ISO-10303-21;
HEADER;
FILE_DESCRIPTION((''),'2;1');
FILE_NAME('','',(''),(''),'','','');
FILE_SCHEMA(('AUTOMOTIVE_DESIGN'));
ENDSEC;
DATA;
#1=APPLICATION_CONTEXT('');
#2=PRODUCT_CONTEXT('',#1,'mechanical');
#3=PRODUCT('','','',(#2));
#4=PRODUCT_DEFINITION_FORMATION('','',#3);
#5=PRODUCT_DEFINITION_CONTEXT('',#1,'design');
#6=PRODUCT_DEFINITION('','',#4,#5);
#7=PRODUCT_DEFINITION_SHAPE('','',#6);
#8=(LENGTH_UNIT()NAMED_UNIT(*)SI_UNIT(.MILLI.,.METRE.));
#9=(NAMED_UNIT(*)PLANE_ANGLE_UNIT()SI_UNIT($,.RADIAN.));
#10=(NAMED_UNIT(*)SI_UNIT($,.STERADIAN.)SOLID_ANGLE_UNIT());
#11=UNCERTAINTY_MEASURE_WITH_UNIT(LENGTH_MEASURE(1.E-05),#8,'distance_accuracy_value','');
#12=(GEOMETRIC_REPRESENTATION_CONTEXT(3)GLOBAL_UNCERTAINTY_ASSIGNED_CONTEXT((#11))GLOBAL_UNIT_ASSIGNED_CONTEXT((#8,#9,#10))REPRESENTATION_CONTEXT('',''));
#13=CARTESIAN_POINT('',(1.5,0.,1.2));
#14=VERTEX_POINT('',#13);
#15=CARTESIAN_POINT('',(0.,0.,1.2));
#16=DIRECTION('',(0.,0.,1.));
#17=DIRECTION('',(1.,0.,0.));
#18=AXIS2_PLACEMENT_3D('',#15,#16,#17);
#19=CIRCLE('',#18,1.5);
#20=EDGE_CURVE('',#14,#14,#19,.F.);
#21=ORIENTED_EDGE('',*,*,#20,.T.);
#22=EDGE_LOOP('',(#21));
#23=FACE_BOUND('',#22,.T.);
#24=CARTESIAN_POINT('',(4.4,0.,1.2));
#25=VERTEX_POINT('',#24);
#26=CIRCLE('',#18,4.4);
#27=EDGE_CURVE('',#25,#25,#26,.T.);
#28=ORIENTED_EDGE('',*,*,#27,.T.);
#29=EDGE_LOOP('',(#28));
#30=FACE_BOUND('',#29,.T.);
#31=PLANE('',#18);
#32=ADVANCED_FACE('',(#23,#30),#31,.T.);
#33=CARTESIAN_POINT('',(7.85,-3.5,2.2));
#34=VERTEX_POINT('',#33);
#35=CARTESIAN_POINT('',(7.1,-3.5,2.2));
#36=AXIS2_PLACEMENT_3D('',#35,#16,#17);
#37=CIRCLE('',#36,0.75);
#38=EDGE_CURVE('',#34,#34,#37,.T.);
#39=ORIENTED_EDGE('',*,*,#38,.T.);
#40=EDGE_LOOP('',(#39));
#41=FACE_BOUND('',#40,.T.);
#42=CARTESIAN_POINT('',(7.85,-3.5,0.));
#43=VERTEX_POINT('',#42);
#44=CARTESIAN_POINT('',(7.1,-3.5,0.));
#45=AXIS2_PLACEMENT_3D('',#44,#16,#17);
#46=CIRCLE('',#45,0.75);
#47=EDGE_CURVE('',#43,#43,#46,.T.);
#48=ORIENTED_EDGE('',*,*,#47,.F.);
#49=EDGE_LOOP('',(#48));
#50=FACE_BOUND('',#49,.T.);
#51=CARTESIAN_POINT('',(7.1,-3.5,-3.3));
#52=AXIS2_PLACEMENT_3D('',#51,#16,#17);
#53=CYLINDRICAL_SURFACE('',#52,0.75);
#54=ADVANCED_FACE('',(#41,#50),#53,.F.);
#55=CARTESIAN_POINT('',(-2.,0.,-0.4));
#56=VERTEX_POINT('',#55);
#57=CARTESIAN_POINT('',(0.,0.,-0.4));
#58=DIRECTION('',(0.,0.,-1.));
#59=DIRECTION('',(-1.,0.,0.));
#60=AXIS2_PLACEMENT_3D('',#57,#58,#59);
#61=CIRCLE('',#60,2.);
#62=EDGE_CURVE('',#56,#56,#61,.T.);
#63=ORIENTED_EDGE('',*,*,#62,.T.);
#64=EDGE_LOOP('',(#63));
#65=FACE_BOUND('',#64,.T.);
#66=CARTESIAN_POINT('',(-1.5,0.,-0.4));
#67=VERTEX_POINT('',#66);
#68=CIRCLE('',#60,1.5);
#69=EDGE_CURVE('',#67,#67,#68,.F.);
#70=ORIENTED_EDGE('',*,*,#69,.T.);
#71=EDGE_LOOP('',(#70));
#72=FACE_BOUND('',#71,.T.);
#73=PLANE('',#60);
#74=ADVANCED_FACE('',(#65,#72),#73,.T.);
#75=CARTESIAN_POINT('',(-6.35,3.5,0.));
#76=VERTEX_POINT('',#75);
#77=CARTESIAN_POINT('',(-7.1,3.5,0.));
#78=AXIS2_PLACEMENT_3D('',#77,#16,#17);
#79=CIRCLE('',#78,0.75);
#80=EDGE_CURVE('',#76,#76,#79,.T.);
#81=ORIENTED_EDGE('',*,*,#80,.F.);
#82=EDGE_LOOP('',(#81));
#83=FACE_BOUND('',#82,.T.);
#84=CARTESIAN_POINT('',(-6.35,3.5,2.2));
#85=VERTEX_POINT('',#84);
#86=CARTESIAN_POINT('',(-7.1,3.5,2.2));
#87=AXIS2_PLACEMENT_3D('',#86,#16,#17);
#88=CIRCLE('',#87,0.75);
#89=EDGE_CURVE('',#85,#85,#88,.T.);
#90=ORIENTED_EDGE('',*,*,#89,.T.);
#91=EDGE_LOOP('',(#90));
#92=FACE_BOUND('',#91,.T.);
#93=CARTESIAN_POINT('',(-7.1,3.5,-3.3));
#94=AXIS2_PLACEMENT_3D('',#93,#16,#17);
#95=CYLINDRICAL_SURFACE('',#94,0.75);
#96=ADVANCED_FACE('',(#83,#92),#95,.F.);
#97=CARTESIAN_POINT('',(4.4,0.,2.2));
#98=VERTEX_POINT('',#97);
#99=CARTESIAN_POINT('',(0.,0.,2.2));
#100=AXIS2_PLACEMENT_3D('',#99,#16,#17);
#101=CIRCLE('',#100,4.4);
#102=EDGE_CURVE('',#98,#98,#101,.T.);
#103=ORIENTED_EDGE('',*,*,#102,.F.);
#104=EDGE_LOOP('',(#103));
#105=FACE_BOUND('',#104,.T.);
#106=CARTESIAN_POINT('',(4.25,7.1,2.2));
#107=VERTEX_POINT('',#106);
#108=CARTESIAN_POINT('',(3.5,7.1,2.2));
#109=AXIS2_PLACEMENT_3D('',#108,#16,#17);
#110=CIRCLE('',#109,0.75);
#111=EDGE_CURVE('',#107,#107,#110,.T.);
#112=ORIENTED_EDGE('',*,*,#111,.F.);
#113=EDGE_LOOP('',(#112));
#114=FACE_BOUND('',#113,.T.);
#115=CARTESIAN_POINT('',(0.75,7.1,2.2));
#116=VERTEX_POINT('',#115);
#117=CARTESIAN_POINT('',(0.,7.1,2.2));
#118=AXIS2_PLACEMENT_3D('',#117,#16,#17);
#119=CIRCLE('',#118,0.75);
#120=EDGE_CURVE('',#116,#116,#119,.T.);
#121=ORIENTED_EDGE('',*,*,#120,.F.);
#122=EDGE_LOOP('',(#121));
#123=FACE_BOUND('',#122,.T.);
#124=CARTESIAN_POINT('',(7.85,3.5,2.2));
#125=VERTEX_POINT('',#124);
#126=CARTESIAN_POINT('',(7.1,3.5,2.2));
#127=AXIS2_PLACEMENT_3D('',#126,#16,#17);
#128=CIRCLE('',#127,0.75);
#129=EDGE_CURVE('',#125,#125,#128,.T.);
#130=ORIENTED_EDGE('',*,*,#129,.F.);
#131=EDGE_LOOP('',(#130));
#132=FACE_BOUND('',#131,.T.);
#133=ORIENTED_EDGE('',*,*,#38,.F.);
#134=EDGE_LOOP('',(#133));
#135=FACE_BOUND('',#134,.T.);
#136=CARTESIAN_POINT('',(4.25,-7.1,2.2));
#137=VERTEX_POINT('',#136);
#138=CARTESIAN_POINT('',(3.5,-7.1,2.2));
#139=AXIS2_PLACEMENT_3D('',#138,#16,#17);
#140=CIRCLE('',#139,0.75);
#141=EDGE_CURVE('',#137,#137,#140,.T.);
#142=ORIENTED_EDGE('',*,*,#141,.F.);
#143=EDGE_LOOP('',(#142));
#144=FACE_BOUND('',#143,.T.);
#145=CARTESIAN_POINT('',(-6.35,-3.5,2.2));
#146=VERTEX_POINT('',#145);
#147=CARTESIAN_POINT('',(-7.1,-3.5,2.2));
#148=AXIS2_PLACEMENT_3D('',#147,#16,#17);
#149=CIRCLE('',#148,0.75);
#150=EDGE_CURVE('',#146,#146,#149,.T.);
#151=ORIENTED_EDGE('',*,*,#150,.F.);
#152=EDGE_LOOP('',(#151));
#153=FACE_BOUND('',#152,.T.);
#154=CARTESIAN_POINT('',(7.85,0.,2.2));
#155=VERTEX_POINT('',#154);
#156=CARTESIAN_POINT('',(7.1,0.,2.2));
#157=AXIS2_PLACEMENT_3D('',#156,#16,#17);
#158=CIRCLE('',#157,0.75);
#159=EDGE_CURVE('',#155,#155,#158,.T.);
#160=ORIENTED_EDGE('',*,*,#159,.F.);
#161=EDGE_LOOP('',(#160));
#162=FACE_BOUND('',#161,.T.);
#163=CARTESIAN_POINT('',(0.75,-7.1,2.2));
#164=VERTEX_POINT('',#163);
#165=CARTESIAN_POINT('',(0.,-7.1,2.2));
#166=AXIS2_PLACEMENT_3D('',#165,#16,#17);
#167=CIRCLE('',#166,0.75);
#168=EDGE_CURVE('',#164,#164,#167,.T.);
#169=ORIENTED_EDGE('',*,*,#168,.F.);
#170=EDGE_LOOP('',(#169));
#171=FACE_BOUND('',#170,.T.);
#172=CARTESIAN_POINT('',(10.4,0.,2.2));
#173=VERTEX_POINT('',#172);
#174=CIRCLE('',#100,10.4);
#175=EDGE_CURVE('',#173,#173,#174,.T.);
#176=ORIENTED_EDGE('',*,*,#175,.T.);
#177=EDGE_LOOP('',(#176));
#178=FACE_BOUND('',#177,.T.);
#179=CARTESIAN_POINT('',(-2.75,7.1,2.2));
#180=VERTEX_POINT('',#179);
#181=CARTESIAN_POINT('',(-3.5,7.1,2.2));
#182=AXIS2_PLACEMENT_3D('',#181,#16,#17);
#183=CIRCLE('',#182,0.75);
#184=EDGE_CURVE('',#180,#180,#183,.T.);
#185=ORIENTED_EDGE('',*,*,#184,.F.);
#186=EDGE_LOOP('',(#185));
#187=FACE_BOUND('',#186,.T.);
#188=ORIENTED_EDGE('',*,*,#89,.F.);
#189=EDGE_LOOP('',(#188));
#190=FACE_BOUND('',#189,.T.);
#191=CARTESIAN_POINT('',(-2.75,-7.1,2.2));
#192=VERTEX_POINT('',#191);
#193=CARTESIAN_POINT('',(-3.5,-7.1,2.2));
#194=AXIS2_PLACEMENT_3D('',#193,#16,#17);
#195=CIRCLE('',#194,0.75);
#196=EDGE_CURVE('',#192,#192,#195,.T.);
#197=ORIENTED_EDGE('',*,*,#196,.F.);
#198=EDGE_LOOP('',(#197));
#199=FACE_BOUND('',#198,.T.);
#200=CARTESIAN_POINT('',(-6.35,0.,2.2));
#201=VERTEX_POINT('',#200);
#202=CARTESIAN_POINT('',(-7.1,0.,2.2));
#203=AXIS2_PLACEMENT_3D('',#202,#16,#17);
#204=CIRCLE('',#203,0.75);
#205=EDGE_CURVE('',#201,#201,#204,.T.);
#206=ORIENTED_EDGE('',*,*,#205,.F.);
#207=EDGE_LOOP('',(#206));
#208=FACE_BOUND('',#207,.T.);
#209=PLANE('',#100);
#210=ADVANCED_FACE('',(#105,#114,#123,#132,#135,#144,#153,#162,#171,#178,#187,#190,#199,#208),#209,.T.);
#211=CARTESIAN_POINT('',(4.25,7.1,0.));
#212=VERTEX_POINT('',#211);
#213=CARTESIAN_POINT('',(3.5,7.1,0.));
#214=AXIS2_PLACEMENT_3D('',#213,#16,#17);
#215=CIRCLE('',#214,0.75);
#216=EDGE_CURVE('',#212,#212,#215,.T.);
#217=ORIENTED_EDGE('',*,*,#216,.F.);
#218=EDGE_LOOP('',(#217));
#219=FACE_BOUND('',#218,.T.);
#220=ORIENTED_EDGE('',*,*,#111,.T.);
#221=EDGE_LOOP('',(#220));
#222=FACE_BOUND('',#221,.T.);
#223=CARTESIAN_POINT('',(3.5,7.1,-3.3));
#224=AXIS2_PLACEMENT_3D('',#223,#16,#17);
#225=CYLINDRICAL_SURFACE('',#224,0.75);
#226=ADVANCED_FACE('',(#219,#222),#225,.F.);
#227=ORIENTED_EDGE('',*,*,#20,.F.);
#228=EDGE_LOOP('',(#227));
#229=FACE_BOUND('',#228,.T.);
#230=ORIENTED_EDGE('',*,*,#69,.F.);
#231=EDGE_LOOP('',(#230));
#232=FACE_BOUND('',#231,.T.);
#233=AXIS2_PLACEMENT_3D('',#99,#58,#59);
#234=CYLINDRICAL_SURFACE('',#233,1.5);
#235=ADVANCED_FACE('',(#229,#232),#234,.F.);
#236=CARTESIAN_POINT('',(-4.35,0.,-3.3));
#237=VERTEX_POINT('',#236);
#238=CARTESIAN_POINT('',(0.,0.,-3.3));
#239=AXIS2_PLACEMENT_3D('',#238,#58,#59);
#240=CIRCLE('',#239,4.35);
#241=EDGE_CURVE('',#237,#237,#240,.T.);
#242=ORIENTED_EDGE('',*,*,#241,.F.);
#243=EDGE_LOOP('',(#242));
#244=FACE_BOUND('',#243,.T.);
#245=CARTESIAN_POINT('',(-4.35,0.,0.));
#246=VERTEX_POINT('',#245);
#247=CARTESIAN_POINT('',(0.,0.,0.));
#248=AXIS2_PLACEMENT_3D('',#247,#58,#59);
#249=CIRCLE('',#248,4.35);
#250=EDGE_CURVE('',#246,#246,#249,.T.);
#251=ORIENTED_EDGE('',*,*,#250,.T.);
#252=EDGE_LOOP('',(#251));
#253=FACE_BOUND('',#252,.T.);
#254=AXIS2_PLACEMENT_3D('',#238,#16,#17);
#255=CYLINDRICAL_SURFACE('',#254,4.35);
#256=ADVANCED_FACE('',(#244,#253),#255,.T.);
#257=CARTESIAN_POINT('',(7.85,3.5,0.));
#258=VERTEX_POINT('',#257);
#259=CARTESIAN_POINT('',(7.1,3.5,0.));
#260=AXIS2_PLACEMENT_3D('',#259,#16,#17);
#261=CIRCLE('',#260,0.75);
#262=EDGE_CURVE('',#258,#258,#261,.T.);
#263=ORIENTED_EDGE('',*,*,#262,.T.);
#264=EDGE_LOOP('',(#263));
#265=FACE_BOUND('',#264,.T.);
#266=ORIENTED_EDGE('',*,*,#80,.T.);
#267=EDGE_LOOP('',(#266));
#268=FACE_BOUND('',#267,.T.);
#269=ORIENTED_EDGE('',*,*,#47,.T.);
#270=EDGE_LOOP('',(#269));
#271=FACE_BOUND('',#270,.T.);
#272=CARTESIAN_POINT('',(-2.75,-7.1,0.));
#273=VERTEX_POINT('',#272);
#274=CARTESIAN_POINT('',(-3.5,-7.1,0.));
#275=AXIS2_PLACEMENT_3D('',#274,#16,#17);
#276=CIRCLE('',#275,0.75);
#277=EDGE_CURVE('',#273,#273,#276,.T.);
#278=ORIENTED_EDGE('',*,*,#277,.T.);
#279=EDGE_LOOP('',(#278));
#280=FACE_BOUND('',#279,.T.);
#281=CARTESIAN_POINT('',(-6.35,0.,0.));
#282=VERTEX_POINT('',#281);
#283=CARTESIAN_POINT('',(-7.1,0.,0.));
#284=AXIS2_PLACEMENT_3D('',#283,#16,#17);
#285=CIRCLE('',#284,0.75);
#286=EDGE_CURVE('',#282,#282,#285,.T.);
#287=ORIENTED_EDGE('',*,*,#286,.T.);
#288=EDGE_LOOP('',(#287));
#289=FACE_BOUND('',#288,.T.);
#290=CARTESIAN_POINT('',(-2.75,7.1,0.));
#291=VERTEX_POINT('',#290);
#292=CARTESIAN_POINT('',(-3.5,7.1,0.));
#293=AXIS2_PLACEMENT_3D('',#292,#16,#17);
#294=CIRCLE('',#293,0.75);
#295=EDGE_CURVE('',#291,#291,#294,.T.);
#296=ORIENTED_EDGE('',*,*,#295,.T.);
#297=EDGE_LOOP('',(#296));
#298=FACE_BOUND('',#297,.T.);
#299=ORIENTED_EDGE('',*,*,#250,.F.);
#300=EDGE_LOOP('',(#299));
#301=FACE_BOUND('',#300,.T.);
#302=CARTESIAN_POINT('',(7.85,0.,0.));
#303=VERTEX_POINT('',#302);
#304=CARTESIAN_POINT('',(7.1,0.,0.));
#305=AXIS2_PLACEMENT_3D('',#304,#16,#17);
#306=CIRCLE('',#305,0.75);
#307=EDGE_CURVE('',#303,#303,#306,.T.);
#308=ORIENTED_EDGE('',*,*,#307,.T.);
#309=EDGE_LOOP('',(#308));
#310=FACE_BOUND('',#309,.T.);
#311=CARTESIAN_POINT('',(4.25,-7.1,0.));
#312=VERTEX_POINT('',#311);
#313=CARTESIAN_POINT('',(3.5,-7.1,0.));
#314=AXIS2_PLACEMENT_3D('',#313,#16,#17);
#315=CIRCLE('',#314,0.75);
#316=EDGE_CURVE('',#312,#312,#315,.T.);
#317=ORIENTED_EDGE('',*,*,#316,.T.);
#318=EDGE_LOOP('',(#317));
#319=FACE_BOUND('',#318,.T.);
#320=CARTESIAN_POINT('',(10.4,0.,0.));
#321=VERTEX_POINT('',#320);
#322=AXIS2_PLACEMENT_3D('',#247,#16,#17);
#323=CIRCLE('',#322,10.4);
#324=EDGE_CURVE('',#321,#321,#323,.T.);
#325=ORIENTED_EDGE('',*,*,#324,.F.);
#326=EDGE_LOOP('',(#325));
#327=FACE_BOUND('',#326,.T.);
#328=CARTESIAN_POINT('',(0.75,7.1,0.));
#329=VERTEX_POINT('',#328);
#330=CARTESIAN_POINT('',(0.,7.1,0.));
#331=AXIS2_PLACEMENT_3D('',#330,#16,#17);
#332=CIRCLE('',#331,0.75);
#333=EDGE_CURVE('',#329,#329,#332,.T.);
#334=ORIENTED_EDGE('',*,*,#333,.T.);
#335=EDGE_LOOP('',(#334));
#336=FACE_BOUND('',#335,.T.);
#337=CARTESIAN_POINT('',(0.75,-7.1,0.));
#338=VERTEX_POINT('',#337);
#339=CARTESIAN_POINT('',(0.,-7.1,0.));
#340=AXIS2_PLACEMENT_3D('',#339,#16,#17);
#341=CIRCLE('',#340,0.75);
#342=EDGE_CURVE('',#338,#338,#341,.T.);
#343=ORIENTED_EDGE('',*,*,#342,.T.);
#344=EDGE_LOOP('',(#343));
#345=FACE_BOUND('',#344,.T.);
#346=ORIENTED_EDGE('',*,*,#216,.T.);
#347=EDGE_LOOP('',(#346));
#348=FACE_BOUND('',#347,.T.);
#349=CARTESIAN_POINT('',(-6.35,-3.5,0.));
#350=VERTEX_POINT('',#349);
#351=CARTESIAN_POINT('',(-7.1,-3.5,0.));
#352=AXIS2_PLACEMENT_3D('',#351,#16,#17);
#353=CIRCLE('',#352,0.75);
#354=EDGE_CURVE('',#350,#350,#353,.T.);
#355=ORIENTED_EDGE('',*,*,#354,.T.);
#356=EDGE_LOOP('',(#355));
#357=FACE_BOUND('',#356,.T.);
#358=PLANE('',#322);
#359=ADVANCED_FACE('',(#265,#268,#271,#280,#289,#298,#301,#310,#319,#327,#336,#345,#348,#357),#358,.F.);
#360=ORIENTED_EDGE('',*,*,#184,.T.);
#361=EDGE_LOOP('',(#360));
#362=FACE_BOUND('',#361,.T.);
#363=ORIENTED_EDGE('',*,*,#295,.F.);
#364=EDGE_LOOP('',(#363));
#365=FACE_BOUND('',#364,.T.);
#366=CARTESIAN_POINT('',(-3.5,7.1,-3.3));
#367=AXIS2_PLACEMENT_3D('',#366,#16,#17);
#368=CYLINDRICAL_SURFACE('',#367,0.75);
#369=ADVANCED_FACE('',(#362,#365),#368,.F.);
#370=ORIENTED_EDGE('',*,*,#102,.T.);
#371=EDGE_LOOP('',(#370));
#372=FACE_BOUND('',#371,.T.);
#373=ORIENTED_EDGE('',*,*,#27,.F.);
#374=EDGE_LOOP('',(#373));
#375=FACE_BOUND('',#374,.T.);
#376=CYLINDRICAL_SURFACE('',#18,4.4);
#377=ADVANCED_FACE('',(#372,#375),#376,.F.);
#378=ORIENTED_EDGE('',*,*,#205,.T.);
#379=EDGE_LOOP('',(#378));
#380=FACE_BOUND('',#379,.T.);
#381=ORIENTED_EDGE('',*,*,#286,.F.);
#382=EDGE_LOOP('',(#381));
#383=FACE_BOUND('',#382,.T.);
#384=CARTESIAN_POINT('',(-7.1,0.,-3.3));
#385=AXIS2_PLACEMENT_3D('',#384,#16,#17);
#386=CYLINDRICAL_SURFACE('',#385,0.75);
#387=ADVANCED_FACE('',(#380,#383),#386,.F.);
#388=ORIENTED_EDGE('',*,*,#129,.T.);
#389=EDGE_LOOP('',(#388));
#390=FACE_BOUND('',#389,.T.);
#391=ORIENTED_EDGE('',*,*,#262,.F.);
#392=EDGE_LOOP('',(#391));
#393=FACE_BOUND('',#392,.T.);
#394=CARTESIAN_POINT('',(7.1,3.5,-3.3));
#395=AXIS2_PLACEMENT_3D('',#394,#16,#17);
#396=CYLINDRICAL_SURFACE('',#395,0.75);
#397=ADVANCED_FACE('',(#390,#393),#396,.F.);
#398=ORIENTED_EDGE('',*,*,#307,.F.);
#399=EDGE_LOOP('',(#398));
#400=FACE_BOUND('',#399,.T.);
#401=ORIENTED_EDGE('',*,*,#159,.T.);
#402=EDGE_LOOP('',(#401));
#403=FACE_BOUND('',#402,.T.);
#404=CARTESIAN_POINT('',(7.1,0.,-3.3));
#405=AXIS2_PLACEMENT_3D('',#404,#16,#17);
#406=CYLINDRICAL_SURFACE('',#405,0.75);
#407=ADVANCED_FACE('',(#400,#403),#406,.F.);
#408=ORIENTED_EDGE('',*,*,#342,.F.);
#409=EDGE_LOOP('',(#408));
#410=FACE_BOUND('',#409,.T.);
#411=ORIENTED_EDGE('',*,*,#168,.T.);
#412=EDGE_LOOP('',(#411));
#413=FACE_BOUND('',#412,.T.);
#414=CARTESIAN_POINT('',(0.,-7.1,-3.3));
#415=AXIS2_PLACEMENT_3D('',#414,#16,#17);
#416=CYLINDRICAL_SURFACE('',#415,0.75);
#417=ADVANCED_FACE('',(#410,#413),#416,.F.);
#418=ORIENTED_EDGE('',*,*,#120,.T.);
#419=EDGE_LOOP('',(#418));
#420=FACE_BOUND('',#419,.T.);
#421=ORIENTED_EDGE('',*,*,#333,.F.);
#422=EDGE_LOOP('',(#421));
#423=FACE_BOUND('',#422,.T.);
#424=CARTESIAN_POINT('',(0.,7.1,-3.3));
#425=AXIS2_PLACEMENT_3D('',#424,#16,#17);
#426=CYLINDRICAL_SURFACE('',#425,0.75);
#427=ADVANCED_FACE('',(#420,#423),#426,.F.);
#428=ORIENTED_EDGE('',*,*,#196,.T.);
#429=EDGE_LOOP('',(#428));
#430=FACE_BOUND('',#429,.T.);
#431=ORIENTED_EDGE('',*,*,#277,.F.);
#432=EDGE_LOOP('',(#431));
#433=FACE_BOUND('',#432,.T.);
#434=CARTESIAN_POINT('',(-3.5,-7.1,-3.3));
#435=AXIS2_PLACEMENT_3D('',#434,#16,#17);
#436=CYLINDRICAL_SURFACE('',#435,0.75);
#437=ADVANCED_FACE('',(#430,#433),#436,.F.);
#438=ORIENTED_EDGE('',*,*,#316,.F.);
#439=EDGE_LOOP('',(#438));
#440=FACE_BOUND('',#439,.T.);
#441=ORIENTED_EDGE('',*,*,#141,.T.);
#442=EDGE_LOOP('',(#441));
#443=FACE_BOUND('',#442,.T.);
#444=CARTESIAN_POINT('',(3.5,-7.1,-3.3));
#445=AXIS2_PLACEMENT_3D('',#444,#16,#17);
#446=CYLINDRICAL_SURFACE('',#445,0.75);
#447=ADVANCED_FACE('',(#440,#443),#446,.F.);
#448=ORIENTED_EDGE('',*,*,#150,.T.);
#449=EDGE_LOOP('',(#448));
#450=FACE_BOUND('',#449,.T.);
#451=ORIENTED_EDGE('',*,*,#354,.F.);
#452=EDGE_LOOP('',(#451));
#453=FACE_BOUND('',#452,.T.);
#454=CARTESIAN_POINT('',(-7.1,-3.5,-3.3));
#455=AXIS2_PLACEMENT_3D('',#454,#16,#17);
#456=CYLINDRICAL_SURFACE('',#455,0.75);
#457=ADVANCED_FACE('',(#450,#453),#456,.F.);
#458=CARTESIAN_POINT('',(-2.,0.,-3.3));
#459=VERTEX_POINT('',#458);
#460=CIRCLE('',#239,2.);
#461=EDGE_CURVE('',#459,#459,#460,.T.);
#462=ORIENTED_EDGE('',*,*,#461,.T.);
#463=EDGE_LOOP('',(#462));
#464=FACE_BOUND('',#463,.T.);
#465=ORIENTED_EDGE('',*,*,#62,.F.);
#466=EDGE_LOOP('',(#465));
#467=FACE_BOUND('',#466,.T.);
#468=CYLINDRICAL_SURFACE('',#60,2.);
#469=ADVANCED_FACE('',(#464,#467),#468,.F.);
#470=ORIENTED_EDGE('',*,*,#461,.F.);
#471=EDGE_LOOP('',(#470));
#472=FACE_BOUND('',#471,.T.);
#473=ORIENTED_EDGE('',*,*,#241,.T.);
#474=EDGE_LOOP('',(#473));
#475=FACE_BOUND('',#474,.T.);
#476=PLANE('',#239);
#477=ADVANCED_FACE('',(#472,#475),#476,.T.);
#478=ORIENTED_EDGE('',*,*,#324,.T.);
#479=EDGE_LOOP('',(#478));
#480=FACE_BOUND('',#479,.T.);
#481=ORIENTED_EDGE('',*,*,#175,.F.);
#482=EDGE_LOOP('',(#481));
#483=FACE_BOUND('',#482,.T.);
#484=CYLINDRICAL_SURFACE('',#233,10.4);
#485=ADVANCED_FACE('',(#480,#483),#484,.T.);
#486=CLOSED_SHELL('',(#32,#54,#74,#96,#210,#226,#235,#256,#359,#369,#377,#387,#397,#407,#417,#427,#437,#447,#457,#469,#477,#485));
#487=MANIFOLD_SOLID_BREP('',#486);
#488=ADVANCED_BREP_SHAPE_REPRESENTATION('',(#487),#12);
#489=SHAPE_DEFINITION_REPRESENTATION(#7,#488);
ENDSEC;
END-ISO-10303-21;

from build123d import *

# Parameters (mm, degrees)
SKETCH_1_R          = 10.4
EXTRUDE_1_DEPTH     = 2.2
SKETCH_2_R          = 4.35
EXTRUDE_2_DEPTH     = 3.3
CUT_EXTRUDE_START   = 3.3
SKETCH_3_R          = 1.5
CUT_EXTRUDE_1_DEPTH = 19.373486657
SKETCH_4_R          = 4.4
CUT_EXTRUDE_2_DEPTH = 1
SKETCH_5_R          = 0.75
CUT_EXTRUDE_3_DEPTH = 16.702547564
SKETCH_6_R          = 2
CUT_EXTRUDE_4_DEPTH = 2.9


with BuildPart() as part:
    # 草图1 → 凸台-拉伸1 (new body)
    with BuildSketch(Plane.XY):
        Circle(SKETCH_1_R)
    extrude(amount=EXTRUDE_1_DEPTH)

    # 草图2 → 凸台-拉伸2 (add)
    with BuildSketch(Plane(origin=(0, 0, 0), x_dir=(-1, 0, 0), z_dir=(0, 0, -1))):
        Circle(SKETCH_2_R)
    extrude(amount=EXTRUDE_2_DEPTH)

    # 草图3 → 切除-拉伸1 (cut, through all)
    with BuildSketch(Plane(origin=(0, 0, 0), x_dir=(-1, 0, 0), z_dir=(0, 0, -1)).offset(CUT_EXTRUDE_START)):
        Circle(SKETCH_3_R)
    extrude(amount=-CUT_EXTRUDE_1_DEPTH, mode=Mode.SUBTRACT)

    # 草图4 → 切除-拉伸2 (cut)
    with BuildSketch(Plane.XY.offset(2.2)):
        Circle(SKETCH_4_R)
    extrude(amount=-CUT_EXTRUDE_2_DEPTH, mode=Mode.SUBTRACT)

    # 草图5 → 切除-拉伸3 (cut, through all)
    with BuildSketch(Plane.XY.offset(2.2)):
        with Locations((0, 7.1)):
            Circle(SKETCH_5_R)
        with Locations((3.5, 7.1)):
            Circle(SKETCH_5_R)
        with Locations((-3.5, 7.1)):
            Circle(SKETCH_5_R)
        with Locations((7.1, 3.5)):
            Circle(SKETCH_5_R)
        with Locations((7.1, 0)):
            Circle(SKETCH_5_R)
        with Locations((7.1, -3.5)):
            Circle(SKETCH_5_R)
        with Locations((3.5, -7.1)):
            Circle(SKETCH_5_R)
        with Locations((0, -7.1)):
            Circle(SKETCH_5_R)
        with Locations((-3.5, -7.1)):
            Circle(SKETCH_5_R)
        with Locations((-7.1, -3.5)):
            Circle(SKETCH_5_R)
        with Locations((-7.1, 0)):
            Circle(SKETCH_5_R)
        with Locations((-7.1, 3.5)):
            Circle(SKETCH_5_R)
    extrude(amount=-CUT_EXTRUDE_3_DEPTH, mode=Mode.SUBTRACT)

    # 草图6 → 切除-拉伸4 (cut)
    with BuildSketch(Plane(origin=(0, 0, -3.3), x_dir=(-1, 0, 0), z_dir=(0, 0, -1))):
        Circle(SKETCH_6_R)
    extrude(amount=-CUT_EXTRUDE_4_DEPTH, mode=Mode.SUBTRACT)


solid = part.part
